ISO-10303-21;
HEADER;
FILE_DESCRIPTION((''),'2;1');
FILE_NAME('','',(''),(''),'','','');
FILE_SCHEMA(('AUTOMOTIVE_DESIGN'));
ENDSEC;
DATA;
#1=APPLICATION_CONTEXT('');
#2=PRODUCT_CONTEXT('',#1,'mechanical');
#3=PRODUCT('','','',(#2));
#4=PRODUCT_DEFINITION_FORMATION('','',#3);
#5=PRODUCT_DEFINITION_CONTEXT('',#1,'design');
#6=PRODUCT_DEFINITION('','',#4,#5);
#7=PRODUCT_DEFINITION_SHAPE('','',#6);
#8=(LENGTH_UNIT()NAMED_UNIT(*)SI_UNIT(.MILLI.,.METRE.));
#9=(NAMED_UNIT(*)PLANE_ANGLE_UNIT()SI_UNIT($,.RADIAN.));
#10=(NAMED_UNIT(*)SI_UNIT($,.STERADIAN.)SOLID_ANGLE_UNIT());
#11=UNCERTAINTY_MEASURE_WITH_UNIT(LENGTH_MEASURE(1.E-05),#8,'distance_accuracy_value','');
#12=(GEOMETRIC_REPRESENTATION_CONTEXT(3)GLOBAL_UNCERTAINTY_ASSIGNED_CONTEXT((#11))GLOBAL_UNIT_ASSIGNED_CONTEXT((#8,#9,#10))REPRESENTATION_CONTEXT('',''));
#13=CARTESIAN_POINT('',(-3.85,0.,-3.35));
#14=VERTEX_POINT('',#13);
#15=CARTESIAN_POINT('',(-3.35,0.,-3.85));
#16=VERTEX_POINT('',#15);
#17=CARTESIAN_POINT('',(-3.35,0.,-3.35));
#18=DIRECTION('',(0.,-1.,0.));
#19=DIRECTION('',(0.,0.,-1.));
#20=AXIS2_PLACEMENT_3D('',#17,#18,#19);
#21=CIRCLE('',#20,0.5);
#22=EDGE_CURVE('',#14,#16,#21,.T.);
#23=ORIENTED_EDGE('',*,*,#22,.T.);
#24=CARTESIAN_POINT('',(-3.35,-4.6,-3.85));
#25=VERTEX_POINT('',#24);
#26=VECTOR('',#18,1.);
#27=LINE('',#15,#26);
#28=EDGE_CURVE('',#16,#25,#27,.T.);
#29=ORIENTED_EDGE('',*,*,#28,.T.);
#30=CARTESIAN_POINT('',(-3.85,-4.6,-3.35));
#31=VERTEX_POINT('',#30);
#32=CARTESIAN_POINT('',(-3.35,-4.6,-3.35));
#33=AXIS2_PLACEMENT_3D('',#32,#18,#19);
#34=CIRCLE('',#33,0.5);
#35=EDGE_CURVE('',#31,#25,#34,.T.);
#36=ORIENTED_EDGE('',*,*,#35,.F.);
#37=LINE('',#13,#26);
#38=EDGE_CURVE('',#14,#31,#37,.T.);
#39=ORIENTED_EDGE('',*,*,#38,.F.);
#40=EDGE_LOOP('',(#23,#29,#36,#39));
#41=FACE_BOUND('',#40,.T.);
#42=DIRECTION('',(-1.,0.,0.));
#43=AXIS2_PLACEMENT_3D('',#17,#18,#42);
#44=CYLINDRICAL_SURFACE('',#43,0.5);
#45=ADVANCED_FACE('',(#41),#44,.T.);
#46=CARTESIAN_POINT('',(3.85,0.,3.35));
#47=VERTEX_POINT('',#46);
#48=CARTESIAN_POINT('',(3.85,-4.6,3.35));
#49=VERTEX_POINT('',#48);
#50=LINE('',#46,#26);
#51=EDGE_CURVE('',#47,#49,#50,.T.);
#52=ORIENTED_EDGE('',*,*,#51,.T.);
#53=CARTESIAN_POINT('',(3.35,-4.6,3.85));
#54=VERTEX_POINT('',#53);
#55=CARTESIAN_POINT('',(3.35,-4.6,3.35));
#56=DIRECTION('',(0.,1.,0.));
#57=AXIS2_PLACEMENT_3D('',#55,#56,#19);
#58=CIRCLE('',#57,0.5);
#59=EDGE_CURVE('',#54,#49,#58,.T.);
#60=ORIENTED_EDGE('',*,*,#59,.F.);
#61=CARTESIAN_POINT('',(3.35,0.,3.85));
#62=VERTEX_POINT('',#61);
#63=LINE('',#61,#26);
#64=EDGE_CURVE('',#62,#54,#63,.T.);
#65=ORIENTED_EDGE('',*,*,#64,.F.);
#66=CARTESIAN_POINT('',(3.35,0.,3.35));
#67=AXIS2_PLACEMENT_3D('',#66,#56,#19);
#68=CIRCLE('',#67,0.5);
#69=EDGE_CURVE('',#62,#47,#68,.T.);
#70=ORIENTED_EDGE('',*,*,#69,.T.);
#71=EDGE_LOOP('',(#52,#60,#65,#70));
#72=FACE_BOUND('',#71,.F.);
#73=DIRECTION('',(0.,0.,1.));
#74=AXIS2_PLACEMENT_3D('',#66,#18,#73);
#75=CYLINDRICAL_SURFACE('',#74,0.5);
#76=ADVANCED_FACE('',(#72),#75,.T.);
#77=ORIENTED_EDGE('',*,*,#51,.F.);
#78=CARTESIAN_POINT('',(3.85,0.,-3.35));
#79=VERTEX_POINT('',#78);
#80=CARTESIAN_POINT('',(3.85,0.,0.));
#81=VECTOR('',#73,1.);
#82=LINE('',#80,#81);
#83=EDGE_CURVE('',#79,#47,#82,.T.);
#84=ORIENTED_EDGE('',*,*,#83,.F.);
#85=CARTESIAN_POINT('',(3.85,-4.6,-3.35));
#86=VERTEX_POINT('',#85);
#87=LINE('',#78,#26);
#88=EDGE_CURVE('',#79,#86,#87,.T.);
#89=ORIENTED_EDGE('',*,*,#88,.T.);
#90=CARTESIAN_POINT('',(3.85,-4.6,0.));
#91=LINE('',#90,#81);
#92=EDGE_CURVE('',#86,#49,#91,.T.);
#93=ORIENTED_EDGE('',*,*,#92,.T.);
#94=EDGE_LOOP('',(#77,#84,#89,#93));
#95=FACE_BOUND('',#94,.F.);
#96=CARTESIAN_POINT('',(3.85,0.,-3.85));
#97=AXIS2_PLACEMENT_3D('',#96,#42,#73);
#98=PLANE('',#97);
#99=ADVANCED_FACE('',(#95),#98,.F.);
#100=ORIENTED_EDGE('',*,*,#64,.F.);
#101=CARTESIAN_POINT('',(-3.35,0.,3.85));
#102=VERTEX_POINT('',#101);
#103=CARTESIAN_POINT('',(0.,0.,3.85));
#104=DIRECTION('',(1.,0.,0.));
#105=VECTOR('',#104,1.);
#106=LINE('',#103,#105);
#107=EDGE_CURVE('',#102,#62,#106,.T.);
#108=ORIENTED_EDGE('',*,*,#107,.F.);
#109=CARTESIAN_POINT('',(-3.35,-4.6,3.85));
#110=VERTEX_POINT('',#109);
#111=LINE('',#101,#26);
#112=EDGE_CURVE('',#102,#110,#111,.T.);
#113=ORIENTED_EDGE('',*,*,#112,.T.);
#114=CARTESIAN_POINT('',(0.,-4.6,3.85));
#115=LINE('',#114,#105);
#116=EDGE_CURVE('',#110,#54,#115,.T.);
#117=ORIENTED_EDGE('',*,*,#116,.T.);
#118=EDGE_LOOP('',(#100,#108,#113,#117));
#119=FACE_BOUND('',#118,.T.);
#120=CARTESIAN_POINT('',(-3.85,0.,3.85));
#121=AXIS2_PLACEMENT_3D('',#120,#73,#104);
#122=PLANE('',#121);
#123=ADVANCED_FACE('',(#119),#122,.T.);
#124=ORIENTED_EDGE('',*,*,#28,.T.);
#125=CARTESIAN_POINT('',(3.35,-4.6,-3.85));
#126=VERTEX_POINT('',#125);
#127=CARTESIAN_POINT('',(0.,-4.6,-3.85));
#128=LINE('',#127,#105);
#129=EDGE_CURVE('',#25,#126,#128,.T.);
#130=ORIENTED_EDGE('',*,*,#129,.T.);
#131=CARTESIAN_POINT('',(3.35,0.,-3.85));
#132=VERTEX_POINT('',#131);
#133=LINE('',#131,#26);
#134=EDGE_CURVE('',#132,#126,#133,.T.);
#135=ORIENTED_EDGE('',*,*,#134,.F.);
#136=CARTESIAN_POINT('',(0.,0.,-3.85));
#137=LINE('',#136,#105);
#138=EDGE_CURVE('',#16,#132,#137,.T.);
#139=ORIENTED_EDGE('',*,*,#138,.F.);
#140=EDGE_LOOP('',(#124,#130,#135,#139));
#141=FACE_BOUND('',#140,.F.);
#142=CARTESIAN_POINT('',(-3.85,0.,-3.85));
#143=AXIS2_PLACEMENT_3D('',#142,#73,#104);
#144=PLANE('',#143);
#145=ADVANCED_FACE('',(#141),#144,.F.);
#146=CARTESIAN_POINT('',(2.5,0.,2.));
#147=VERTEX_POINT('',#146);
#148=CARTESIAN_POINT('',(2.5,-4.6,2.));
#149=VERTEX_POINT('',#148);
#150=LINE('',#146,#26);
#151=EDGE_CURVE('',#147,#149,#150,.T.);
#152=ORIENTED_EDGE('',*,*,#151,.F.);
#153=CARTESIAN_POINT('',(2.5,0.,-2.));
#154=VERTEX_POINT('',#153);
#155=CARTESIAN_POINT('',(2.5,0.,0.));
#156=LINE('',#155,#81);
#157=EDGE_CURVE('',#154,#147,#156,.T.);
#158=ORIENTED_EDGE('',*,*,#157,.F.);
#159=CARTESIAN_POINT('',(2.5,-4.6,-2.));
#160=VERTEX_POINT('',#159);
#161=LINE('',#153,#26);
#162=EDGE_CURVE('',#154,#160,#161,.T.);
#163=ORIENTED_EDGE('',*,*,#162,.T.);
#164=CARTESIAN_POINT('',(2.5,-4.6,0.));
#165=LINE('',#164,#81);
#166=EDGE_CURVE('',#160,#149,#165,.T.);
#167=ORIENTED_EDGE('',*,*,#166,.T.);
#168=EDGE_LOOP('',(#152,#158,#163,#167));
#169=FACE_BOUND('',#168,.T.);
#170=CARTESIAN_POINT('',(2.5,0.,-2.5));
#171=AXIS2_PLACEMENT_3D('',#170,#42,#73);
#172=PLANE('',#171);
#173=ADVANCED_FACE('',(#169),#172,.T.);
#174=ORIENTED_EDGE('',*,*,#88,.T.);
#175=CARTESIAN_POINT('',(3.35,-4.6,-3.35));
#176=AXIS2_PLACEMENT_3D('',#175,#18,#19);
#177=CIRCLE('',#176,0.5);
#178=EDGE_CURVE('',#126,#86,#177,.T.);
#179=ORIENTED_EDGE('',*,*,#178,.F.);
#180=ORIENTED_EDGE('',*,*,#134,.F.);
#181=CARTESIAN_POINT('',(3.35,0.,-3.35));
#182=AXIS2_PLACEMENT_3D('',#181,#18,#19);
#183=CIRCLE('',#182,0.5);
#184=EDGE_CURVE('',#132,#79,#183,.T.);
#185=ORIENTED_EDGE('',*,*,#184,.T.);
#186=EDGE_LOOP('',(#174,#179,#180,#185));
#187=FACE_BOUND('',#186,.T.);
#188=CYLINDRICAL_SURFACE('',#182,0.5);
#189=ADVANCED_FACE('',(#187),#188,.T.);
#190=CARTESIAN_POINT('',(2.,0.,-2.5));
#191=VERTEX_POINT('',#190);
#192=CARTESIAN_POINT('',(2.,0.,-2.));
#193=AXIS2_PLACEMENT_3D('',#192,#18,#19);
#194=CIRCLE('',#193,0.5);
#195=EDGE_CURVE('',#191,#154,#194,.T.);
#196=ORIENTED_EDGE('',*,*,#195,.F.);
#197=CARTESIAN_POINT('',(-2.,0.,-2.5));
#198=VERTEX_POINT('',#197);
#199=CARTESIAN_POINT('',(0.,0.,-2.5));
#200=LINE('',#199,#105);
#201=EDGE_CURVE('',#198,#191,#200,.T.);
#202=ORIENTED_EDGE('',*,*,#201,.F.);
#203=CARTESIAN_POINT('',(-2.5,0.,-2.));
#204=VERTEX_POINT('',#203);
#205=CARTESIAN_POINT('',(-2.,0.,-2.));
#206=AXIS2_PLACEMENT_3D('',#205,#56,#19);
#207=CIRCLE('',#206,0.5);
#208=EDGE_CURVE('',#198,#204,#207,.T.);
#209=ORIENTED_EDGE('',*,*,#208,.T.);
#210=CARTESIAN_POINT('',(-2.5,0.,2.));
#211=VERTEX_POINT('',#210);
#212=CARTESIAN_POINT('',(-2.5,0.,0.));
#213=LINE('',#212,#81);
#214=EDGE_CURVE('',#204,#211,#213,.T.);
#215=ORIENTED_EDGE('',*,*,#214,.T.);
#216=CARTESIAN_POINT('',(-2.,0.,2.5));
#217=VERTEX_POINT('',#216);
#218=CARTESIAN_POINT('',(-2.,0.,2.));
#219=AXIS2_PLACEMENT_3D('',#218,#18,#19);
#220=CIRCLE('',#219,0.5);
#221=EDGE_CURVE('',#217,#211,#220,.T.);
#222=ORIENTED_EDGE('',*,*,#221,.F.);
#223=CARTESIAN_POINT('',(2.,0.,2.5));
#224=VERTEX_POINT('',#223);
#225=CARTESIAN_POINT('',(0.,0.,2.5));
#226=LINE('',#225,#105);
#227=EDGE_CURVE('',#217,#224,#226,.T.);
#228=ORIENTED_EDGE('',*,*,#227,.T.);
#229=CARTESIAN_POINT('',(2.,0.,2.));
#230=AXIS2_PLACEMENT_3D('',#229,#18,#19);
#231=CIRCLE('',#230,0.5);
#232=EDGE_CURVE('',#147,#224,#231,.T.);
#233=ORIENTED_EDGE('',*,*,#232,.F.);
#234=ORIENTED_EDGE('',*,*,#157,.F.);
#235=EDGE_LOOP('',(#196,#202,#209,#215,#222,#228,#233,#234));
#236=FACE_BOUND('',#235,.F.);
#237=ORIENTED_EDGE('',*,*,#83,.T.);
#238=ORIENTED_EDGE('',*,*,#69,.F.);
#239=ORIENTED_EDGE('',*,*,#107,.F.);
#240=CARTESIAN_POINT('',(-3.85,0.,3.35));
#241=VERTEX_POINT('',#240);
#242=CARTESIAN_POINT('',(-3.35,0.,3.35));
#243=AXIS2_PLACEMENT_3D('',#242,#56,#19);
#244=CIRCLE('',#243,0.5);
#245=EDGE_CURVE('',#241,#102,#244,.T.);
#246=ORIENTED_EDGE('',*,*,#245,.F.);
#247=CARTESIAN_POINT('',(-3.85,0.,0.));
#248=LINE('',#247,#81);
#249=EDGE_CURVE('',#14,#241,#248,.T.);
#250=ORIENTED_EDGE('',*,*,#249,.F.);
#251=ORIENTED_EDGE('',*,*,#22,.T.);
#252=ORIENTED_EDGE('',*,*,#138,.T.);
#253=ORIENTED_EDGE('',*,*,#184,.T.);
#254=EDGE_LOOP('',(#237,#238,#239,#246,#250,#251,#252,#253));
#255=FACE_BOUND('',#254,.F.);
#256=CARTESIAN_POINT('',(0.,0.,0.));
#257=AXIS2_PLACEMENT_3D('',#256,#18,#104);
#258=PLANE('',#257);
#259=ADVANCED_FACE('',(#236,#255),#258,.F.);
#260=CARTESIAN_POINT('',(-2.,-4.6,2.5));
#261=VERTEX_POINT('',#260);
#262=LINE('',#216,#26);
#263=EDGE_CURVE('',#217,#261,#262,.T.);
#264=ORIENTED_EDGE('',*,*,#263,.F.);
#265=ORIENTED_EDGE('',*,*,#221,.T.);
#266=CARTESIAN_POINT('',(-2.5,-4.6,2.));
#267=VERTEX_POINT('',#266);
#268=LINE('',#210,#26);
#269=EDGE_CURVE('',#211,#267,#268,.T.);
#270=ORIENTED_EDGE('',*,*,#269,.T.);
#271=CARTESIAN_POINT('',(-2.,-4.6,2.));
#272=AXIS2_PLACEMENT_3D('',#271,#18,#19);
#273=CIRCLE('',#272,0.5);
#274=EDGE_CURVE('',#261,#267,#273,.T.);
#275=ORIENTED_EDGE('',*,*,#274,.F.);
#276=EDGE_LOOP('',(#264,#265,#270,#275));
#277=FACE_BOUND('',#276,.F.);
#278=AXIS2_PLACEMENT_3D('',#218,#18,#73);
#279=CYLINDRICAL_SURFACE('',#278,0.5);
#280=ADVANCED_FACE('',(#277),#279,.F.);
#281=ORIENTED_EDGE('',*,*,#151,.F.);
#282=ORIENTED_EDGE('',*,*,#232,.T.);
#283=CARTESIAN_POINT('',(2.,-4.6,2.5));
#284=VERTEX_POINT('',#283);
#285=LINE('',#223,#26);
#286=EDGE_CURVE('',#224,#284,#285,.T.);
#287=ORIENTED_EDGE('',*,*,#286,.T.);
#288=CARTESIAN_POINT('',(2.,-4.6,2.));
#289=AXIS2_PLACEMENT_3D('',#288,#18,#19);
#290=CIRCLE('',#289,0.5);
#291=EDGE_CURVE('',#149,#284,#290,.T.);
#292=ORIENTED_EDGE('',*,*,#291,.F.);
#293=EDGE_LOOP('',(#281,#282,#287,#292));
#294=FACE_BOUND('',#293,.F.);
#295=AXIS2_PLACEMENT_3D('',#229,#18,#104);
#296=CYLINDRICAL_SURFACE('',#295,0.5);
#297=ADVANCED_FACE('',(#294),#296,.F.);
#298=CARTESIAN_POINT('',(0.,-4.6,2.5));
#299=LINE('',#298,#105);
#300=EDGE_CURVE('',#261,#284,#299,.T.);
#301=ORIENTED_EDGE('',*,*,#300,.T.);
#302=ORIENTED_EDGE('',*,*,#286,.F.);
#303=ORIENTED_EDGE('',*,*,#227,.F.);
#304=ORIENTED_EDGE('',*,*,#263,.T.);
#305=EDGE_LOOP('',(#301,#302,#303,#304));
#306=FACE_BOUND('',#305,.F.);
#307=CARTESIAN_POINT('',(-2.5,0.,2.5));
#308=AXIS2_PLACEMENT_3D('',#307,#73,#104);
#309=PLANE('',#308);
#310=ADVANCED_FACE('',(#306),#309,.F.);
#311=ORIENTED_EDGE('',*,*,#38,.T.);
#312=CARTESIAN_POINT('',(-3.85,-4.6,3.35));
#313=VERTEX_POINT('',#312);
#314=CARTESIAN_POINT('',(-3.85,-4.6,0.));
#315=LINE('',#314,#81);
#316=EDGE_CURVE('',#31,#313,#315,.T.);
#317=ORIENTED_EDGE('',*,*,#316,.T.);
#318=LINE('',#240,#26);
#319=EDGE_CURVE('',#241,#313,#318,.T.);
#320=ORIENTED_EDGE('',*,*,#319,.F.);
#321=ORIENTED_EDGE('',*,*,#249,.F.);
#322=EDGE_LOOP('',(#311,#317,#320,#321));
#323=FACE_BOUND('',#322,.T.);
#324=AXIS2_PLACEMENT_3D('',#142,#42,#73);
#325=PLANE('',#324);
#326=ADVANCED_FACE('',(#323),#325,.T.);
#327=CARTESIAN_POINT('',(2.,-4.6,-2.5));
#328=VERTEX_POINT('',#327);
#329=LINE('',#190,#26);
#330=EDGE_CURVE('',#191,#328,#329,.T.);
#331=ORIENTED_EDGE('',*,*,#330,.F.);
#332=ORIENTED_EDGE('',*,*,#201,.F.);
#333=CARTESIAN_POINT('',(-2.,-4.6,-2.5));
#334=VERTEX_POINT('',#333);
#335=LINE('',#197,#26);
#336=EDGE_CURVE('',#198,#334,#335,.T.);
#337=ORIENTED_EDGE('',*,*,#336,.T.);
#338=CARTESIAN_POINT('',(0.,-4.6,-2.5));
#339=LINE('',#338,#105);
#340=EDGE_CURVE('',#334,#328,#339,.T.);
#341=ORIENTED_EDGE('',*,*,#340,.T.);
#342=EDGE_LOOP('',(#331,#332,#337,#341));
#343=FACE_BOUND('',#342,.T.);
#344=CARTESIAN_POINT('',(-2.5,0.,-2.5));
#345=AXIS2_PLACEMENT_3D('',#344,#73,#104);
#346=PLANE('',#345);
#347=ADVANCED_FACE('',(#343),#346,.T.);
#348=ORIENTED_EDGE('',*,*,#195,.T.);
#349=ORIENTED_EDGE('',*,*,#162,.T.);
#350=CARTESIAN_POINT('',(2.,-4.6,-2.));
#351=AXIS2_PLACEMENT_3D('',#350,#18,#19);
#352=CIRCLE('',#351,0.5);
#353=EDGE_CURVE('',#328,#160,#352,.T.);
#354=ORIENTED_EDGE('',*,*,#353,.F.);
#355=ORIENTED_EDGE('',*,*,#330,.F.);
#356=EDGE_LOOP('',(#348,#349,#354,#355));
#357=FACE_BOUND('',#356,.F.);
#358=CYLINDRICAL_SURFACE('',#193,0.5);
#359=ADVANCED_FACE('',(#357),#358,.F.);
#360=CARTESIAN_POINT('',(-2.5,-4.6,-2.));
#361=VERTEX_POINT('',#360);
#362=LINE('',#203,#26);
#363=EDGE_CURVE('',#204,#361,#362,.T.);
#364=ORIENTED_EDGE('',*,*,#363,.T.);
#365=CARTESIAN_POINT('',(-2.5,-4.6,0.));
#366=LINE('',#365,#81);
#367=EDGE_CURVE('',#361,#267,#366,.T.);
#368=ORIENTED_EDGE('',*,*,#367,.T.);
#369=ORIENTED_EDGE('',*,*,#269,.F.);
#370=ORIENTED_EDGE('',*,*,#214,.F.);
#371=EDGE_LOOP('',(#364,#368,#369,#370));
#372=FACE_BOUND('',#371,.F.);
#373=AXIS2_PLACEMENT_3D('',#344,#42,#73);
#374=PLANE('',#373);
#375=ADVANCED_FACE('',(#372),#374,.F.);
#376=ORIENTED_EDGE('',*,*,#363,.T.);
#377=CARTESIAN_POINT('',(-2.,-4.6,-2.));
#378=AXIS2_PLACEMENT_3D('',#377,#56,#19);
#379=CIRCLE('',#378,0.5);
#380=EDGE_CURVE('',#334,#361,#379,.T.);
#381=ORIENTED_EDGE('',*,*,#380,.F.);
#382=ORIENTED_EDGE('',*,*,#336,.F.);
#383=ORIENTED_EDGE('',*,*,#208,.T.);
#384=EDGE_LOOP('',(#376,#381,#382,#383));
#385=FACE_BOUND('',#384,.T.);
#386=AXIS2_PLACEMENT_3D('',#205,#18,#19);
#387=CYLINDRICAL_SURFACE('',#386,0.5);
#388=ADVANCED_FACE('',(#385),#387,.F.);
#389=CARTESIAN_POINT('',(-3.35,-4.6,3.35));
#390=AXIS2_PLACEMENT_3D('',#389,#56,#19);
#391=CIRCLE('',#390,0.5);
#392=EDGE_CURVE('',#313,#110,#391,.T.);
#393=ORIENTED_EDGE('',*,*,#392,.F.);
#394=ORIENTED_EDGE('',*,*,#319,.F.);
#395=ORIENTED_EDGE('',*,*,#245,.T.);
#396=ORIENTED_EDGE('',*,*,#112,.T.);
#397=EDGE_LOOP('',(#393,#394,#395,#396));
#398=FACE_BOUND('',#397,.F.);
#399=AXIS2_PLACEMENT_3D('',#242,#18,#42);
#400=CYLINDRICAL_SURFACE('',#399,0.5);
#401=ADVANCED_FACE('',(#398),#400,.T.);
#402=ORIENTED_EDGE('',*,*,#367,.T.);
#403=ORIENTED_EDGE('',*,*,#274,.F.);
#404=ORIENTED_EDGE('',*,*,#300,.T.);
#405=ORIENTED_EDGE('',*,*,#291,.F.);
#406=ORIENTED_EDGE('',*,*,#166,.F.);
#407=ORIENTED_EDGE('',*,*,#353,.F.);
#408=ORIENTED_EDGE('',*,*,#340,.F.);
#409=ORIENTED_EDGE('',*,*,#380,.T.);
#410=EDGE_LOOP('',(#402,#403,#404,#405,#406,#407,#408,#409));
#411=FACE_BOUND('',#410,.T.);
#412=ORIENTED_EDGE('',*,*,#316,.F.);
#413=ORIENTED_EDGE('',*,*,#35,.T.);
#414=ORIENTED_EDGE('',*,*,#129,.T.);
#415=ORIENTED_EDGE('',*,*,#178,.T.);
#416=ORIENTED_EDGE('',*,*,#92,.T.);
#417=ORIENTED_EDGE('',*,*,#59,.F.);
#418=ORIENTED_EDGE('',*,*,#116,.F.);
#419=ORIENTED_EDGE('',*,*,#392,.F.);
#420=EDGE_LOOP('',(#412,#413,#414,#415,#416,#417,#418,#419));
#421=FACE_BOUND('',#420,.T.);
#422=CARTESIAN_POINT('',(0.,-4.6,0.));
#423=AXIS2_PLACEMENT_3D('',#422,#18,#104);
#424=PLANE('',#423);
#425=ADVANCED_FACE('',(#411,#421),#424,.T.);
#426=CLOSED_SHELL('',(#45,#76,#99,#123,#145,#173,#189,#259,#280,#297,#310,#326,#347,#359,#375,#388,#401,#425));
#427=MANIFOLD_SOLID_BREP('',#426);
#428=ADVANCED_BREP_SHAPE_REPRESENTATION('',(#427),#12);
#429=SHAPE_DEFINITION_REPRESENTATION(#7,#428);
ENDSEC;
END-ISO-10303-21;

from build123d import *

# Parameters (mm, degrees)
F0_W     = 7.7
F0_H     = 7.7
F0_W_2   = 5
F0_H_2   = 5
F1_DEPTH = 4.6
F2_R     = 0.5
F3_R     = 0.5


with BuildPart() as f1:
    # F0 (on Front) → F1 (new body)
    with BuildSketch(Plane.XZ):
        Rectangle(F0_W, F0_H)
        Rectangle(F0_W_2, F0_H_2, mode=Mode.SUBTRACT)
    extrude(amount=F1_DEPTH)

    # F2
    f2_edges = [f1.edges().sort_by_distance(p)[0] for p in [
        (2.5, -2.3, 2.5),
        (-2.5, -2.3, 2.5),
        (2.5, -2.3, -2.5),
        (-2.5, -2.3, -2.5),
    ]]
    fillet(f2_edges, radius=F2_R)

    # F3
    f3_edges = [f1.edges().sort_by_distance(p)[0] for p in [
        (3.85, -2.3, 3.85),
        (3.85, -2.3, -3.85),
        (-3.85, -2.3, -3.85),
        (-3.85, -2.3, 3.85),
    ]]
    fillet(f3_edges, radius=F3_R)


solid = f1.part
